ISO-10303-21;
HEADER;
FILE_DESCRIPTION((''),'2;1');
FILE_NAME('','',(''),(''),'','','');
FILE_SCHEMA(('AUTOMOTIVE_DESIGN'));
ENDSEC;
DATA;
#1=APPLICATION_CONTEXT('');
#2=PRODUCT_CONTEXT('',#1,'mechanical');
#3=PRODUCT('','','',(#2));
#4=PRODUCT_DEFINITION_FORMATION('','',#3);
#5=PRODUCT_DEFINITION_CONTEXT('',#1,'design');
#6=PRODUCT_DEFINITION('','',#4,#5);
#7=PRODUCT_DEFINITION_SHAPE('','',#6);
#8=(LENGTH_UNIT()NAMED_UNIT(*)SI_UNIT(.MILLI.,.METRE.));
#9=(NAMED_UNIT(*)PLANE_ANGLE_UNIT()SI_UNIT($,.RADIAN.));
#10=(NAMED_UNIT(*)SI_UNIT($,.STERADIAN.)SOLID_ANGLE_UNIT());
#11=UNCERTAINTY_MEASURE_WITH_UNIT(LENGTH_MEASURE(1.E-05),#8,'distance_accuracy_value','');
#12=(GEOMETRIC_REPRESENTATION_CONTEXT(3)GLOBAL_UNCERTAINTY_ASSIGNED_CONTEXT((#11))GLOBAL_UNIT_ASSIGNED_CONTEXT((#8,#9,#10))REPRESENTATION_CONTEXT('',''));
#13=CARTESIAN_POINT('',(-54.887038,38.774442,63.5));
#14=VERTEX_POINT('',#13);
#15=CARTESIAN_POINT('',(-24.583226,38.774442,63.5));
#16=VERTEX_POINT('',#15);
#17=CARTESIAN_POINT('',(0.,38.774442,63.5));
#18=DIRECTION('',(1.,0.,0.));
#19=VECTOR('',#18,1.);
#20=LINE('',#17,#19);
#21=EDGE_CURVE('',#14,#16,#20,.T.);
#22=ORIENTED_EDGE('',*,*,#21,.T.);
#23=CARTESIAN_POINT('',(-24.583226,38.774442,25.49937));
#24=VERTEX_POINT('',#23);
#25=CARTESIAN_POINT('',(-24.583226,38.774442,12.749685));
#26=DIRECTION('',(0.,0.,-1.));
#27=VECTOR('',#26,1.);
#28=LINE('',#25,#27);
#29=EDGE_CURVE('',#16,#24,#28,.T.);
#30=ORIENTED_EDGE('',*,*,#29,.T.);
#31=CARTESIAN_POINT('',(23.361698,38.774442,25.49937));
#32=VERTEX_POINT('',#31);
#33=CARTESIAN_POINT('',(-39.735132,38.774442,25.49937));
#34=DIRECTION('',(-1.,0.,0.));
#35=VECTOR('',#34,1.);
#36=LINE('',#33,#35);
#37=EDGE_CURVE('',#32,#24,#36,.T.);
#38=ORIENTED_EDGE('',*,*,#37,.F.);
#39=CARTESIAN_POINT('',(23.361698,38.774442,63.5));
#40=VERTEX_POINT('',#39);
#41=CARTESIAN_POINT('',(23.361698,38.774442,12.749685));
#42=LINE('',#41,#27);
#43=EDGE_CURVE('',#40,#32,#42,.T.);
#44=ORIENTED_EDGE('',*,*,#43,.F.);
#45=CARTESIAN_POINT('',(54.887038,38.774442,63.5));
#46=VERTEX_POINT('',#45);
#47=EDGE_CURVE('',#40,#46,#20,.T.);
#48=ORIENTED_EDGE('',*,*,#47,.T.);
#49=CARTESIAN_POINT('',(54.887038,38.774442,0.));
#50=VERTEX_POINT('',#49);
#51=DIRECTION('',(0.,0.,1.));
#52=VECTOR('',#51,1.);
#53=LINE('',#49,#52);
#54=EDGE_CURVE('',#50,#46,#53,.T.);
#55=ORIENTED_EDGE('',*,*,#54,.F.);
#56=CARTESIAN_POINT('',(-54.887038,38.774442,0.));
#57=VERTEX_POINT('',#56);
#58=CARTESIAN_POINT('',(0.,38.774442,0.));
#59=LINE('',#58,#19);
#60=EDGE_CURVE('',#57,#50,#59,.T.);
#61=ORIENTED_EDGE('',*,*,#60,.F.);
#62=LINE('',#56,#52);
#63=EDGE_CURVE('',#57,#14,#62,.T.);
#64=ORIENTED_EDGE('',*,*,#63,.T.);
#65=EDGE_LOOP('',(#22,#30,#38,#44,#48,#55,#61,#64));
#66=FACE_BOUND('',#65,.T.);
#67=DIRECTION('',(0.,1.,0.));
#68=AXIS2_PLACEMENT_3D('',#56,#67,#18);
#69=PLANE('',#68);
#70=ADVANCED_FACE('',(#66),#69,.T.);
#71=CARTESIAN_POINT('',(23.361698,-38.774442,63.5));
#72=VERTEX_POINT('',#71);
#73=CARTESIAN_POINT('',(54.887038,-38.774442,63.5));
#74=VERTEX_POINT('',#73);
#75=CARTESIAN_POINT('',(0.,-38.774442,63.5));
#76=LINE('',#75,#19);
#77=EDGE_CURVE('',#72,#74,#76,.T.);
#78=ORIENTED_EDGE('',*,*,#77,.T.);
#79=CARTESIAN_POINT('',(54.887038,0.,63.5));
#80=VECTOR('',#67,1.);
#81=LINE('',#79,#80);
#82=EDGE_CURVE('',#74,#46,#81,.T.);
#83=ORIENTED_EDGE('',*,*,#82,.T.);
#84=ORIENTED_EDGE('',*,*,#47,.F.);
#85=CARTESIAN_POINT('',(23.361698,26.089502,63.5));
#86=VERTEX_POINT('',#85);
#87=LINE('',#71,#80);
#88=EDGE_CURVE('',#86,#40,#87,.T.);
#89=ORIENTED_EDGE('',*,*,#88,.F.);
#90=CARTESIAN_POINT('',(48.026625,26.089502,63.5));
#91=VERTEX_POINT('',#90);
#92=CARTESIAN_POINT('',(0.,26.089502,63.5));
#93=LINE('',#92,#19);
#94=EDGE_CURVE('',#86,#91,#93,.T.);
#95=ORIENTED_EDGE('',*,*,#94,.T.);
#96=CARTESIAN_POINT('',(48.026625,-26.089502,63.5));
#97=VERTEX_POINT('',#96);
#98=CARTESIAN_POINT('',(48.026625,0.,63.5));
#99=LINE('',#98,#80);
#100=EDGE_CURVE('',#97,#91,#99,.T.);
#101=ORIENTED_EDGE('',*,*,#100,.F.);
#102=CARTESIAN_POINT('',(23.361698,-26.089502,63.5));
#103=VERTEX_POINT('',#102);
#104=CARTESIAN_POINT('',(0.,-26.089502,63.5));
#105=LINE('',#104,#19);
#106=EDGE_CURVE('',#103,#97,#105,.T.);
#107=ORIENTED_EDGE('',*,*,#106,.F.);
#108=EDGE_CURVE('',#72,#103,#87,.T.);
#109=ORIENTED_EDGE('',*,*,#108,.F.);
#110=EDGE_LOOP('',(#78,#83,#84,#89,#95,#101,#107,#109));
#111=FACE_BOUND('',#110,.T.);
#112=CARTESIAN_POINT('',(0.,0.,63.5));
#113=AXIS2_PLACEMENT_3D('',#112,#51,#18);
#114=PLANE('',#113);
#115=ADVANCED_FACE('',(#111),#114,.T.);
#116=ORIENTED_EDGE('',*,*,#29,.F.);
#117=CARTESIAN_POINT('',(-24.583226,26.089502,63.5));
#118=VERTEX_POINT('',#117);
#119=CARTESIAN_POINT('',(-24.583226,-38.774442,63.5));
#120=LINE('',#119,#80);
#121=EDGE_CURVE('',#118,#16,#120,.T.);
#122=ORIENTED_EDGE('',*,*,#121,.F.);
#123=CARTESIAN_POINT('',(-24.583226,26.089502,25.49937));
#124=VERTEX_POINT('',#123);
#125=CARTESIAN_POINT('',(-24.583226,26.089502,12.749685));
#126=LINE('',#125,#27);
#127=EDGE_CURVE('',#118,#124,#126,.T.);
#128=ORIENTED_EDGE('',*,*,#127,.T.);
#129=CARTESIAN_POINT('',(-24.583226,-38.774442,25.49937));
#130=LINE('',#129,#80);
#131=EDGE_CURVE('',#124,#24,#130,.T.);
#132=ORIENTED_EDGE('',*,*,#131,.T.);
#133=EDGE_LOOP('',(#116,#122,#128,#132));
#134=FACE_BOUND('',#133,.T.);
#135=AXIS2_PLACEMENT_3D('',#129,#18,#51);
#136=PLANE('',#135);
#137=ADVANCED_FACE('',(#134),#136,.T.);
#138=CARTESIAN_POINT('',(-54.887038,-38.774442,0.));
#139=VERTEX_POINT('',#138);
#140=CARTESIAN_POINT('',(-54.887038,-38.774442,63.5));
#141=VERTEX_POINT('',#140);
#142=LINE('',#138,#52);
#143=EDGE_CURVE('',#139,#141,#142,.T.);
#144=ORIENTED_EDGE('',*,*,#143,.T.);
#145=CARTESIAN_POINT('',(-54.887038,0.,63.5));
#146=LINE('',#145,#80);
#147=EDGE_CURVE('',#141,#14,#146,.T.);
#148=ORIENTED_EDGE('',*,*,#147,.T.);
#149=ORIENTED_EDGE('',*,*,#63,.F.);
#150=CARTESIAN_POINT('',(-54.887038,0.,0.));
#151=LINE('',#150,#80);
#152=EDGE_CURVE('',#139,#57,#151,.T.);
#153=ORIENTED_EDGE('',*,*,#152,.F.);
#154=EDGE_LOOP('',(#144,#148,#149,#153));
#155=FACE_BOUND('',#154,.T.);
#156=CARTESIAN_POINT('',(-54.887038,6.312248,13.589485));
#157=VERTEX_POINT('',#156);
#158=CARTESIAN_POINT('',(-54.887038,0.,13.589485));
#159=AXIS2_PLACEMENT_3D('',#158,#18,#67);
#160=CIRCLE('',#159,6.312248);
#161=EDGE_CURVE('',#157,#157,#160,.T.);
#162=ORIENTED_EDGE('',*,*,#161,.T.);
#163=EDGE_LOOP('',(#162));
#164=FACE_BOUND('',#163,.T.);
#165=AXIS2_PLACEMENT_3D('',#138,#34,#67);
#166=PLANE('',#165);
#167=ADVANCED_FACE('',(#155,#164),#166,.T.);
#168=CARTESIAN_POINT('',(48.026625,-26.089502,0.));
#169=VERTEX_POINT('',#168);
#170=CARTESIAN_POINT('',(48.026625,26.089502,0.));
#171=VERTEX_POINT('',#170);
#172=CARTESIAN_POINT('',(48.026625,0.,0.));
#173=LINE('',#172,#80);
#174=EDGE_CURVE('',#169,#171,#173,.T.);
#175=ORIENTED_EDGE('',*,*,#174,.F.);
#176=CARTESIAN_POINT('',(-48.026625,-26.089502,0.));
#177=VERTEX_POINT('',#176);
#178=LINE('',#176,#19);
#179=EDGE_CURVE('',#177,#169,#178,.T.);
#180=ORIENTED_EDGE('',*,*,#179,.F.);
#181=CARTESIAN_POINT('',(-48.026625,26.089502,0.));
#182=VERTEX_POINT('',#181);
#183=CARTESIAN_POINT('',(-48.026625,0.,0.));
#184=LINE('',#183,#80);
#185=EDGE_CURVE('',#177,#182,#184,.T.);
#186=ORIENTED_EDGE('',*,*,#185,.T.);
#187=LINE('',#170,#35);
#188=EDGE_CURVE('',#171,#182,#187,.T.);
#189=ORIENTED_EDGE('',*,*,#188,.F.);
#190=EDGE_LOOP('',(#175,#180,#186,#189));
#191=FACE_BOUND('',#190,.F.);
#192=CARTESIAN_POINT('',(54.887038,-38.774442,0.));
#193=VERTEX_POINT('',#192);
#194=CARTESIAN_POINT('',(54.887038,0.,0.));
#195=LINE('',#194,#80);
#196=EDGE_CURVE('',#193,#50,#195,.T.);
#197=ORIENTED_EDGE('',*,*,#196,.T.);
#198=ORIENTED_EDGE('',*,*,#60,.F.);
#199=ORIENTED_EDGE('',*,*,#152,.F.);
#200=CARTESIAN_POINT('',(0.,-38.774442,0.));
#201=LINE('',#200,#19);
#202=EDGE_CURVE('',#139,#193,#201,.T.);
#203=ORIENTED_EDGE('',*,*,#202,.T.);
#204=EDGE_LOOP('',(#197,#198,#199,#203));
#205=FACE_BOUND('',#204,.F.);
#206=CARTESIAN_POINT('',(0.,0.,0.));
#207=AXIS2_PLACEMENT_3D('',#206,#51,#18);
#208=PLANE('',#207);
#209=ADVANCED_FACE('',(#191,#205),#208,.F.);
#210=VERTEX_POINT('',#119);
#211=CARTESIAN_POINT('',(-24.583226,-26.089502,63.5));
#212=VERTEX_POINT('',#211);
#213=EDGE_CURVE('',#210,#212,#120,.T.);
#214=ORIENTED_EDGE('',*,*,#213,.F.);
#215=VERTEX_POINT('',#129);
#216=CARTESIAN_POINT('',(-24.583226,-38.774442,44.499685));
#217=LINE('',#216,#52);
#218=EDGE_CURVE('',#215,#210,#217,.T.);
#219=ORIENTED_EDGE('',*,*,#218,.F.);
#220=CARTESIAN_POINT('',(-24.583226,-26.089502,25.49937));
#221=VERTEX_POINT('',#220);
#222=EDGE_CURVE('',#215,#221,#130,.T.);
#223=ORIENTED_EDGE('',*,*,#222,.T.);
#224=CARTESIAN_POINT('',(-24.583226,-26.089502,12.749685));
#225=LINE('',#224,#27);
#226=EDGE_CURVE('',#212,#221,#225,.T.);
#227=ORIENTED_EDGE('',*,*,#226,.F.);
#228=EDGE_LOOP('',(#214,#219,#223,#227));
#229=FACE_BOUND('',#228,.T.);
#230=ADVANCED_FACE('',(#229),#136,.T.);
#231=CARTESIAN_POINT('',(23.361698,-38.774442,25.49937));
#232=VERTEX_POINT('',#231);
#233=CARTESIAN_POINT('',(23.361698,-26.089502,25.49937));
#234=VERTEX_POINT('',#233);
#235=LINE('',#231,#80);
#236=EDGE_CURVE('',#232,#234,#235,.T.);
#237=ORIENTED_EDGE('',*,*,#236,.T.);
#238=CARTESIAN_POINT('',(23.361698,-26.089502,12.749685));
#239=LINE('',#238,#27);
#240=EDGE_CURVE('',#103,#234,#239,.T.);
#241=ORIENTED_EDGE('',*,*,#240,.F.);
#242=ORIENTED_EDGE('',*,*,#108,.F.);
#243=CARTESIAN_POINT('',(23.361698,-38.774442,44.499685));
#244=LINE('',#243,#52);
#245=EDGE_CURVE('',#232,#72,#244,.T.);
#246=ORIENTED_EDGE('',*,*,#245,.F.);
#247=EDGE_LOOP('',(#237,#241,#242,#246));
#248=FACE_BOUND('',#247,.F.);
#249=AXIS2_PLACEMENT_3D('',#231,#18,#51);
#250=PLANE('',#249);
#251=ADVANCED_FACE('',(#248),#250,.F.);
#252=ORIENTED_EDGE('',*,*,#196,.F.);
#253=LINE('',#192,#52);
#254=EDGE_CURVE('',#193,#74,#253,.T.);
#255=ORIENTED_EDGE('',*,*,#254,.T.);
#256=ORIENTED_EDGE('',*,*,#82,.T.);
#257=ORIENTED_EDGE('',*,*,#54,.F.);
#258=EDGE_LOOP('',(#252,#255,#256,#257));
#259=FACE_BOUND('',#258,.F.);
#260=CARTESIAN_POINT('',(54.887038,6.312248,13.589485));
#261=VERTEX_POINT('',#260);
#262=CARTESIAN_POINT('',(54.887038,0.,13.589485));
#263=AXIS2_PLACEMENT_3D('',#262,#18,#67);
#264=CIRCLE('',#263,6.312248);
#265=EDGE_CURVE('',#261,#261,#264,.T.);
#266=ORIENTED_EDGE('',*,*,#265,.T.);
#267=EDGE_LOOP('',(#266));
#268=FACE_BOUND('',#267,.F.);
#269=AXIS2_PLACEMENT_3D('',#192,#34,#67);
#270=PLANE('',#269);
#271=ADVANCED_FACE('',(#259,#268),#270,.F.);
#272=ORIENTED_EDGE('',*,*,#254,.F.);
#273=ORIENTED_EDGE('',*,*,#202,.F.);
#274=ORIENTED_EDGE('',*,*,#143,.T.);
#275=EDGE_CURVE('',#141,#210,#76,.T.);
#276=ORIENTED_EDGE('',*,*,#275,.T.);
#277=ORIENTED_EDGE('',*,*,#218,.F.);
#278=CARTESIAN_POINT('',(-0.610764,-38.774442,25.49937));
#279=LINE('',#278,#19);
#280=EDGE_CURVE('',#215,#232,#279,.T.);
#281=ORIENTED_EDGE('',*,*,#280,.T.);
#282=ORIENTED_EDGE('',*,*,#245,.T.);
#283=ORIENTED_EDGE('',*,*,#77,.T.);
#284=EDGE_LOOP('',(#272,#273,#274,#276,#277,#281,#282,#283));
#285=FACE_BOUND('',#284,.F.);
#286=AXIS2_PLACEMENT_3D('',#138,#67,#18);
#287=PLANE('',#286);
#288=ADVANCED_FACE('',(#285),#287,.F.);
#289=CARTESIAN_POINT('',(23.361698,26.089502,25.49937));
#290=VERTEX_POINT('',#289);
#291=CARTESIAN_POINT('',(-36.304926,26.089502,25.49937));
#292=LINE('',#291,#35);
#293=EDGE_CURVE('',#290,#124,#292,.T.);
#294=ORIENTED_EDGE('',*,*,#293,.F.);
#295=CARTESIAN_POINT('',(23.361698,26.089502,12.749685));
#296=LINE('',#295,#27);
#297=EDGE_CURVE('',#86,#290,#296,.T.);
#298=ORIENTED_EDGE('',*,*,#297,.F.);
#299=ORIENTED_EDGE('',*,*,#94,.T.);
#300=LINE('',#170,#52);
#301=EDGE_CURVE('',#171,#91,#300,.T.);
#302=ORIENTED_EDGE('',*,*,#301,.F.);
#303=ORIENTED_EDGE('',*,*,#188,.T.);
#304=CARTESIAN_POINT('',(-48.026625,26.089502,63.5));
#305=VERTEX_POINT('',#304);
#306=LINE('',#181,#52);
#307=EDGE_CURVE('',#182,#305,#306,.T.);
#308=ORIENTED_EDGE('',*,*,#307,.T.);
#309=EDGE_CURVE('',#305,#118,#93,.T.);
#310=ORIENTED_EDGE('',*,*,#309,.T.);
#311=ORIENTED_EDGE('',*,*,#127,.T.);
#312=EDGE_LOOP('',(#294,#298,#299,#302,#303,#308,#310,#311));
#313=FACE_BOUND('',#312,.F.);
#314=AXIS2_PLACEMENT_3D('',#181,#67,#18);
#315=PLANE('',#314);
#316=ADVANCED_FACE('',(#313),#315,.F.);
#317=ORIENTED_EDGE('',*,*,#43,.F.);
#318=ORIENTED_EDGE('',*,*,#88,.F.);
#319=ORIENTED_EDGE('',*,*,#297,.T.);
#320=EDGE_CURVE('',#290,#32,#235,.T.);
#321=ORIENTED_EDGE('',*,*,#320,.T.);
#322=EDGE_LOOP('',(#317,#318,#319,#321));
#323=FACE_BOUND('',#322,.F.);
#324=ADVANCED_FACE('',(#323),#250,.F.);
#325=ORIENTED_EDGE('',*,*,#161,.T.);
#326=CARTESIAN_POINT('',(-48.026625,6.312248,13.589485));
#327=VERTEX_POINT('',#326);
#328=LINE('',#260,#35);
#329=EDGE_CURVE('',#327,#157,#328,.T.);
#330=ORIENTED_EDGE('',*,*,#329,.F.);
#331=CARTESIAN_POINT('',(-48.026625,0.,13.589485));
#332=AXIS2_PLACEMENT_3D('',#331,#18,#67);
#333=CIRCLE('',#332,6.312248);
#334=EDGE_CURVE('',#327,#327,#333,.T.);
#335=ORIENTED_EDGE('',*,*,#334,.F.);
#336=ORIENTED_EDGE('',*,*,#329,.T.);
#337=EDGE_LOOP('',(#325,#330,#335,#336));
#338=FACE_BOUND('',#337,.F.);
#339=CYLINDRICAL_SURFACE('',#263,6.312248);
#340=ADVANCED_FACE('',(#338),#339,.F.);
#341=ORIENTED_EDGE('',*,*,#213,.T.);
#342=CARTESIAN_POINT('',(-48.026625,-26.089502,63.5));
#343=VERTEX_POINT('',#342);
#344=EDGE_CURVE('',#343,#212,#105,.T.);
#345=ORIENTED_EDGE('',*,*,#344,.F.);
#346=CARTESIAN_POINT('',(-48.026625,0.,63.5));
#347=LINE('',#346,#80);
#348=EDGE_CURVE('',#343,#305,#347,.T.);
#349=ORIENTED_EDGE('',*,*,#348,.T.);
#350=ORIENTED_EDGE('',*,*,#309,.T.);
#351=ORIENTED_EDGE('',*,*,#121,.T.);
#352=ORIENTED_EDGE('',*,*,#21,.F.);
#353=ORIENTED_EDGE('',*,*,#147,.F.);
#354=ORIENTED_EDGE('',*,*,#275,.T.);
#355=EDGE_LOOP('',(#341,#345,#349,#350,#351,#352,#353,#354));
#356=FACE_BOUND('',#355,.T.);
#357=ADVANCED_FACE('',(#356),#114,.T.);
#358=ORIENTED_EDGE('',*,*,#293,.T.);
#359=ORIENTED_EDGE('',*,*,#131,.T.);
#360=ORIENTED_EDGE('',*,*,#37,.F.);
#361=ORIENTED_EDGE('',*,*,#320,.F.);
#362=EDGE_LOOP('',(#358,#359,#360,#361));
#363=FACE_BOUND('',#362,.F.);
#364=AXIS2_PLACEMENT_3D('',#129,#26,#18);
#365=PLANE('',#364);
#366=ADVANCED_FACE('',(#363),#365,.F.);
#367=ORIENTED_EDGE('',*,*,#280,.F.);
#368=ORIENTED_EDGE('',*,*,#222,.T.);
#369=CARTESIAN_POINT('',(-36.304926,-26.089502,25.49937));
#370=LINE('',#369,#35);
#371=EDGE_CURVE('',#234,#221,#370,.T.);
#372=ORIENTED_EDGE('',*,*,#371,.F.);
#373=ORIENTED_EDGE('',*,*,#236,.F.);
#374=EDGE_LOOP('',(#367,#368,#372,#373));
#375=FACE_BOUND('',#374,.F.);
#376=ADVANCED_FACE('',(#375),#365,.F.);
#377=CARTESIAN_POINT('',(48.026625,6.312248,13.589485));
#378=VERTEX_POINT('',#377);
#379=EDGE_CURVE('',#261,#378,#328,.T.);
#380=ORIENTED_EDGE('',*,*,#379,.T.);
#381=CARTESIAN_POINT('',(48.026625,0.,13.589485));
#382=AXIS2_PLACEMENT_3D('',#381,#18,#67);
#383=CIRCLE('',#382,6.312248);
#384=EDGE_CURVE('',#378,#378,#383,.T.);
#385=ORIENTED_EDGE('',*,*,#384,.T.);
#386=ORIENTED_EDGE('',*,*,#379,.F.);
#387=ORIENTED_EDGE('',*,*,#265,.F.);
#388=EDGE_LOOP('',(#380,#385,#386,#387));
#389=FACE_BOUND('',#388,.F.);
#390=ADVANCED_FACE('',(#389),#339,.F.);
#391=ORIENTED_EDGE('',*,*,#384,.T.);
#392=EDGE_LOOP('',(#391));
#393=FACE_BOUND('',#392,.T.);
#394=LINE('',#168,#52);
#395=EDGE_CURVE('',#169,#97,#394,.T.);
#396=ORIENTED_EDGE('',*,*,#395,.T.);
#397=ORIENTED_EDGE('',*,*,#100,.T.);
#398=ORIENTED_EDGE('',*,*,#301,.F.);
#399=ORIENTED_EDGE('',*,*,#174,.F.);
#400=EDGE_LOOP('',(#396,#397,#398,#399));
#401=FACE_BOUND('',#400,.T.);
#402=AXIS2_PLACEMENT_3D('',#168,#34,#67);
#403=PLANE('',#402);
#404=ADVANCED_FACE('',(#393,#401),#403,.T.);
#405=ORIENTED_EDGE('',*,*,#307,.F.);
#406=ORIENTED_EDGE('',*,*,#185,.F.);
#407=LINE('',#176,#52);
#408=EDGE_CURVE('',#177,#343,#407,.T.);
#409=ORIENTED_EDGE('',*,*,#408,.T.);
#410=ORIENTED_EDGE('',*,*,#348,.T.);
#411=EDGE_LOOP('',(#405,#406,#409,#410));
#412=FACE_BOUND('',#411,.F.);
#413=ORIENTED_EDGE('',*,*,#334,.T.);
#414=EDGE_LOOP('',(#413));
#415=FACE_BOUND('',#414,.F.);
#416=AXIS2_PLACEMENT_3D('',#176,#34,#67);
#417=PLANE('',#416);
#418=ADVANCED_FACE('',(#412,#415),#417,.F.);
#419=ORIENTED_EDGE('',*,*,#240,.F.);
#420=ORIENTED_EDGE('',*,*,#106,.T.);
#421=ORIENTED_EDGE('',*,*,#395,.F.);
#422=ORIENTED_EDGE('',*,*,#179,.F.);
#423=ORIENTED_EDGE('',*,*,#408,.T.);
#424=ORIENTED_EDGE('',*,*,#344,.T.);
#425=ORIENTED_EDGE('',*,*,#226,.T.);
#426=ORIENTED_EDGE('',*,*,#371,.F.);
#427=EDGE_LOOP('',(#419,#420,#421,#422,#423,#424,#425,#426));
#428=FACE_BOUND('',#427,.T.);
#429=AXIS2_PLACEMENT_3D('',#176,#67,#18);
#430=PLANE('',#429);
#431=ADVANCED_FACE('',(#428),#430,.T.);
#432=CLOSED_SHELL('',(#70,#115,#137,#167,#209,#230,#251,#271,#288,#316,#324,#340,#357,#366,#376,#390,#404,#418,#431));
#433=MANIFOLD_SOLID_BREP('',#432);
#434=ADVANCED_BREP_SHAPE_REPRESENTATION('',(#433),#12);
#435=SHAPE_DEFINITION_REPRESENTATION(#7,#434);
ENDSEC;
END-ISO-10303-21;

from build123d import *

# Parameters (mm, degrees)
F0_W     = 109.774076
F0_H     = 77.548884
F1_DEPTH = 63.5
F2_W     = 96.05325
F2_H     = 52.179004
F3_DEPTH = 63.5
F4_W     = 81.802986
F4_H     = 63.615836
F5_DEPTH = 63.5
F6_W     = 47.944924
F6_H     = 38.00063
F7_DEPTH = 101.6
F8_R     = 6.312248
F9_DEPTH = 254


with BuildPart() as f1:
    # F0 (on Top) → F1 (new body)
    with BuildSketch(Plane.XY):
        Rectangle(F0_W, F0_H)
    extrude(amount=F1_DEPTH)

    # F2 (on Top) → F3 (cut)
    with BuildSketch(Plane.XY):
        Rectangle(F2_W, F2_H)
    extrude(amount=F3_DEPTH, mode=Mode.SUBTRACT)

    # F4 (on Top) → F5 (cut)
    with BuildSketch(Plane.XY):
        Rectangle(F4_W, F4_H)
    extrude(amount=-F5_DEPTH, mode=Mode.SUBTRACT)

    # F6 (on face) → F7 (cut)
    with BuildSketch(Plane.XZ.offset(38.774442)):
        with Locations((-0.610764, 44.499685)):
            Rectangle(F6_W, F6_H)
    extrude(amount=-F7_DEPTH, mode=Mode.SUBTRACT)

    # F8 (on face) → F9 (cut)
    with BuildSketch(Plane.YZ.offset(54.887038)):
        with Locations((0, 13.589485)):
            Circle(F8_R)
    extrude(amount=-F9_DEPTH, mode=Mode.SUBTRACT)


solid = f1.part
